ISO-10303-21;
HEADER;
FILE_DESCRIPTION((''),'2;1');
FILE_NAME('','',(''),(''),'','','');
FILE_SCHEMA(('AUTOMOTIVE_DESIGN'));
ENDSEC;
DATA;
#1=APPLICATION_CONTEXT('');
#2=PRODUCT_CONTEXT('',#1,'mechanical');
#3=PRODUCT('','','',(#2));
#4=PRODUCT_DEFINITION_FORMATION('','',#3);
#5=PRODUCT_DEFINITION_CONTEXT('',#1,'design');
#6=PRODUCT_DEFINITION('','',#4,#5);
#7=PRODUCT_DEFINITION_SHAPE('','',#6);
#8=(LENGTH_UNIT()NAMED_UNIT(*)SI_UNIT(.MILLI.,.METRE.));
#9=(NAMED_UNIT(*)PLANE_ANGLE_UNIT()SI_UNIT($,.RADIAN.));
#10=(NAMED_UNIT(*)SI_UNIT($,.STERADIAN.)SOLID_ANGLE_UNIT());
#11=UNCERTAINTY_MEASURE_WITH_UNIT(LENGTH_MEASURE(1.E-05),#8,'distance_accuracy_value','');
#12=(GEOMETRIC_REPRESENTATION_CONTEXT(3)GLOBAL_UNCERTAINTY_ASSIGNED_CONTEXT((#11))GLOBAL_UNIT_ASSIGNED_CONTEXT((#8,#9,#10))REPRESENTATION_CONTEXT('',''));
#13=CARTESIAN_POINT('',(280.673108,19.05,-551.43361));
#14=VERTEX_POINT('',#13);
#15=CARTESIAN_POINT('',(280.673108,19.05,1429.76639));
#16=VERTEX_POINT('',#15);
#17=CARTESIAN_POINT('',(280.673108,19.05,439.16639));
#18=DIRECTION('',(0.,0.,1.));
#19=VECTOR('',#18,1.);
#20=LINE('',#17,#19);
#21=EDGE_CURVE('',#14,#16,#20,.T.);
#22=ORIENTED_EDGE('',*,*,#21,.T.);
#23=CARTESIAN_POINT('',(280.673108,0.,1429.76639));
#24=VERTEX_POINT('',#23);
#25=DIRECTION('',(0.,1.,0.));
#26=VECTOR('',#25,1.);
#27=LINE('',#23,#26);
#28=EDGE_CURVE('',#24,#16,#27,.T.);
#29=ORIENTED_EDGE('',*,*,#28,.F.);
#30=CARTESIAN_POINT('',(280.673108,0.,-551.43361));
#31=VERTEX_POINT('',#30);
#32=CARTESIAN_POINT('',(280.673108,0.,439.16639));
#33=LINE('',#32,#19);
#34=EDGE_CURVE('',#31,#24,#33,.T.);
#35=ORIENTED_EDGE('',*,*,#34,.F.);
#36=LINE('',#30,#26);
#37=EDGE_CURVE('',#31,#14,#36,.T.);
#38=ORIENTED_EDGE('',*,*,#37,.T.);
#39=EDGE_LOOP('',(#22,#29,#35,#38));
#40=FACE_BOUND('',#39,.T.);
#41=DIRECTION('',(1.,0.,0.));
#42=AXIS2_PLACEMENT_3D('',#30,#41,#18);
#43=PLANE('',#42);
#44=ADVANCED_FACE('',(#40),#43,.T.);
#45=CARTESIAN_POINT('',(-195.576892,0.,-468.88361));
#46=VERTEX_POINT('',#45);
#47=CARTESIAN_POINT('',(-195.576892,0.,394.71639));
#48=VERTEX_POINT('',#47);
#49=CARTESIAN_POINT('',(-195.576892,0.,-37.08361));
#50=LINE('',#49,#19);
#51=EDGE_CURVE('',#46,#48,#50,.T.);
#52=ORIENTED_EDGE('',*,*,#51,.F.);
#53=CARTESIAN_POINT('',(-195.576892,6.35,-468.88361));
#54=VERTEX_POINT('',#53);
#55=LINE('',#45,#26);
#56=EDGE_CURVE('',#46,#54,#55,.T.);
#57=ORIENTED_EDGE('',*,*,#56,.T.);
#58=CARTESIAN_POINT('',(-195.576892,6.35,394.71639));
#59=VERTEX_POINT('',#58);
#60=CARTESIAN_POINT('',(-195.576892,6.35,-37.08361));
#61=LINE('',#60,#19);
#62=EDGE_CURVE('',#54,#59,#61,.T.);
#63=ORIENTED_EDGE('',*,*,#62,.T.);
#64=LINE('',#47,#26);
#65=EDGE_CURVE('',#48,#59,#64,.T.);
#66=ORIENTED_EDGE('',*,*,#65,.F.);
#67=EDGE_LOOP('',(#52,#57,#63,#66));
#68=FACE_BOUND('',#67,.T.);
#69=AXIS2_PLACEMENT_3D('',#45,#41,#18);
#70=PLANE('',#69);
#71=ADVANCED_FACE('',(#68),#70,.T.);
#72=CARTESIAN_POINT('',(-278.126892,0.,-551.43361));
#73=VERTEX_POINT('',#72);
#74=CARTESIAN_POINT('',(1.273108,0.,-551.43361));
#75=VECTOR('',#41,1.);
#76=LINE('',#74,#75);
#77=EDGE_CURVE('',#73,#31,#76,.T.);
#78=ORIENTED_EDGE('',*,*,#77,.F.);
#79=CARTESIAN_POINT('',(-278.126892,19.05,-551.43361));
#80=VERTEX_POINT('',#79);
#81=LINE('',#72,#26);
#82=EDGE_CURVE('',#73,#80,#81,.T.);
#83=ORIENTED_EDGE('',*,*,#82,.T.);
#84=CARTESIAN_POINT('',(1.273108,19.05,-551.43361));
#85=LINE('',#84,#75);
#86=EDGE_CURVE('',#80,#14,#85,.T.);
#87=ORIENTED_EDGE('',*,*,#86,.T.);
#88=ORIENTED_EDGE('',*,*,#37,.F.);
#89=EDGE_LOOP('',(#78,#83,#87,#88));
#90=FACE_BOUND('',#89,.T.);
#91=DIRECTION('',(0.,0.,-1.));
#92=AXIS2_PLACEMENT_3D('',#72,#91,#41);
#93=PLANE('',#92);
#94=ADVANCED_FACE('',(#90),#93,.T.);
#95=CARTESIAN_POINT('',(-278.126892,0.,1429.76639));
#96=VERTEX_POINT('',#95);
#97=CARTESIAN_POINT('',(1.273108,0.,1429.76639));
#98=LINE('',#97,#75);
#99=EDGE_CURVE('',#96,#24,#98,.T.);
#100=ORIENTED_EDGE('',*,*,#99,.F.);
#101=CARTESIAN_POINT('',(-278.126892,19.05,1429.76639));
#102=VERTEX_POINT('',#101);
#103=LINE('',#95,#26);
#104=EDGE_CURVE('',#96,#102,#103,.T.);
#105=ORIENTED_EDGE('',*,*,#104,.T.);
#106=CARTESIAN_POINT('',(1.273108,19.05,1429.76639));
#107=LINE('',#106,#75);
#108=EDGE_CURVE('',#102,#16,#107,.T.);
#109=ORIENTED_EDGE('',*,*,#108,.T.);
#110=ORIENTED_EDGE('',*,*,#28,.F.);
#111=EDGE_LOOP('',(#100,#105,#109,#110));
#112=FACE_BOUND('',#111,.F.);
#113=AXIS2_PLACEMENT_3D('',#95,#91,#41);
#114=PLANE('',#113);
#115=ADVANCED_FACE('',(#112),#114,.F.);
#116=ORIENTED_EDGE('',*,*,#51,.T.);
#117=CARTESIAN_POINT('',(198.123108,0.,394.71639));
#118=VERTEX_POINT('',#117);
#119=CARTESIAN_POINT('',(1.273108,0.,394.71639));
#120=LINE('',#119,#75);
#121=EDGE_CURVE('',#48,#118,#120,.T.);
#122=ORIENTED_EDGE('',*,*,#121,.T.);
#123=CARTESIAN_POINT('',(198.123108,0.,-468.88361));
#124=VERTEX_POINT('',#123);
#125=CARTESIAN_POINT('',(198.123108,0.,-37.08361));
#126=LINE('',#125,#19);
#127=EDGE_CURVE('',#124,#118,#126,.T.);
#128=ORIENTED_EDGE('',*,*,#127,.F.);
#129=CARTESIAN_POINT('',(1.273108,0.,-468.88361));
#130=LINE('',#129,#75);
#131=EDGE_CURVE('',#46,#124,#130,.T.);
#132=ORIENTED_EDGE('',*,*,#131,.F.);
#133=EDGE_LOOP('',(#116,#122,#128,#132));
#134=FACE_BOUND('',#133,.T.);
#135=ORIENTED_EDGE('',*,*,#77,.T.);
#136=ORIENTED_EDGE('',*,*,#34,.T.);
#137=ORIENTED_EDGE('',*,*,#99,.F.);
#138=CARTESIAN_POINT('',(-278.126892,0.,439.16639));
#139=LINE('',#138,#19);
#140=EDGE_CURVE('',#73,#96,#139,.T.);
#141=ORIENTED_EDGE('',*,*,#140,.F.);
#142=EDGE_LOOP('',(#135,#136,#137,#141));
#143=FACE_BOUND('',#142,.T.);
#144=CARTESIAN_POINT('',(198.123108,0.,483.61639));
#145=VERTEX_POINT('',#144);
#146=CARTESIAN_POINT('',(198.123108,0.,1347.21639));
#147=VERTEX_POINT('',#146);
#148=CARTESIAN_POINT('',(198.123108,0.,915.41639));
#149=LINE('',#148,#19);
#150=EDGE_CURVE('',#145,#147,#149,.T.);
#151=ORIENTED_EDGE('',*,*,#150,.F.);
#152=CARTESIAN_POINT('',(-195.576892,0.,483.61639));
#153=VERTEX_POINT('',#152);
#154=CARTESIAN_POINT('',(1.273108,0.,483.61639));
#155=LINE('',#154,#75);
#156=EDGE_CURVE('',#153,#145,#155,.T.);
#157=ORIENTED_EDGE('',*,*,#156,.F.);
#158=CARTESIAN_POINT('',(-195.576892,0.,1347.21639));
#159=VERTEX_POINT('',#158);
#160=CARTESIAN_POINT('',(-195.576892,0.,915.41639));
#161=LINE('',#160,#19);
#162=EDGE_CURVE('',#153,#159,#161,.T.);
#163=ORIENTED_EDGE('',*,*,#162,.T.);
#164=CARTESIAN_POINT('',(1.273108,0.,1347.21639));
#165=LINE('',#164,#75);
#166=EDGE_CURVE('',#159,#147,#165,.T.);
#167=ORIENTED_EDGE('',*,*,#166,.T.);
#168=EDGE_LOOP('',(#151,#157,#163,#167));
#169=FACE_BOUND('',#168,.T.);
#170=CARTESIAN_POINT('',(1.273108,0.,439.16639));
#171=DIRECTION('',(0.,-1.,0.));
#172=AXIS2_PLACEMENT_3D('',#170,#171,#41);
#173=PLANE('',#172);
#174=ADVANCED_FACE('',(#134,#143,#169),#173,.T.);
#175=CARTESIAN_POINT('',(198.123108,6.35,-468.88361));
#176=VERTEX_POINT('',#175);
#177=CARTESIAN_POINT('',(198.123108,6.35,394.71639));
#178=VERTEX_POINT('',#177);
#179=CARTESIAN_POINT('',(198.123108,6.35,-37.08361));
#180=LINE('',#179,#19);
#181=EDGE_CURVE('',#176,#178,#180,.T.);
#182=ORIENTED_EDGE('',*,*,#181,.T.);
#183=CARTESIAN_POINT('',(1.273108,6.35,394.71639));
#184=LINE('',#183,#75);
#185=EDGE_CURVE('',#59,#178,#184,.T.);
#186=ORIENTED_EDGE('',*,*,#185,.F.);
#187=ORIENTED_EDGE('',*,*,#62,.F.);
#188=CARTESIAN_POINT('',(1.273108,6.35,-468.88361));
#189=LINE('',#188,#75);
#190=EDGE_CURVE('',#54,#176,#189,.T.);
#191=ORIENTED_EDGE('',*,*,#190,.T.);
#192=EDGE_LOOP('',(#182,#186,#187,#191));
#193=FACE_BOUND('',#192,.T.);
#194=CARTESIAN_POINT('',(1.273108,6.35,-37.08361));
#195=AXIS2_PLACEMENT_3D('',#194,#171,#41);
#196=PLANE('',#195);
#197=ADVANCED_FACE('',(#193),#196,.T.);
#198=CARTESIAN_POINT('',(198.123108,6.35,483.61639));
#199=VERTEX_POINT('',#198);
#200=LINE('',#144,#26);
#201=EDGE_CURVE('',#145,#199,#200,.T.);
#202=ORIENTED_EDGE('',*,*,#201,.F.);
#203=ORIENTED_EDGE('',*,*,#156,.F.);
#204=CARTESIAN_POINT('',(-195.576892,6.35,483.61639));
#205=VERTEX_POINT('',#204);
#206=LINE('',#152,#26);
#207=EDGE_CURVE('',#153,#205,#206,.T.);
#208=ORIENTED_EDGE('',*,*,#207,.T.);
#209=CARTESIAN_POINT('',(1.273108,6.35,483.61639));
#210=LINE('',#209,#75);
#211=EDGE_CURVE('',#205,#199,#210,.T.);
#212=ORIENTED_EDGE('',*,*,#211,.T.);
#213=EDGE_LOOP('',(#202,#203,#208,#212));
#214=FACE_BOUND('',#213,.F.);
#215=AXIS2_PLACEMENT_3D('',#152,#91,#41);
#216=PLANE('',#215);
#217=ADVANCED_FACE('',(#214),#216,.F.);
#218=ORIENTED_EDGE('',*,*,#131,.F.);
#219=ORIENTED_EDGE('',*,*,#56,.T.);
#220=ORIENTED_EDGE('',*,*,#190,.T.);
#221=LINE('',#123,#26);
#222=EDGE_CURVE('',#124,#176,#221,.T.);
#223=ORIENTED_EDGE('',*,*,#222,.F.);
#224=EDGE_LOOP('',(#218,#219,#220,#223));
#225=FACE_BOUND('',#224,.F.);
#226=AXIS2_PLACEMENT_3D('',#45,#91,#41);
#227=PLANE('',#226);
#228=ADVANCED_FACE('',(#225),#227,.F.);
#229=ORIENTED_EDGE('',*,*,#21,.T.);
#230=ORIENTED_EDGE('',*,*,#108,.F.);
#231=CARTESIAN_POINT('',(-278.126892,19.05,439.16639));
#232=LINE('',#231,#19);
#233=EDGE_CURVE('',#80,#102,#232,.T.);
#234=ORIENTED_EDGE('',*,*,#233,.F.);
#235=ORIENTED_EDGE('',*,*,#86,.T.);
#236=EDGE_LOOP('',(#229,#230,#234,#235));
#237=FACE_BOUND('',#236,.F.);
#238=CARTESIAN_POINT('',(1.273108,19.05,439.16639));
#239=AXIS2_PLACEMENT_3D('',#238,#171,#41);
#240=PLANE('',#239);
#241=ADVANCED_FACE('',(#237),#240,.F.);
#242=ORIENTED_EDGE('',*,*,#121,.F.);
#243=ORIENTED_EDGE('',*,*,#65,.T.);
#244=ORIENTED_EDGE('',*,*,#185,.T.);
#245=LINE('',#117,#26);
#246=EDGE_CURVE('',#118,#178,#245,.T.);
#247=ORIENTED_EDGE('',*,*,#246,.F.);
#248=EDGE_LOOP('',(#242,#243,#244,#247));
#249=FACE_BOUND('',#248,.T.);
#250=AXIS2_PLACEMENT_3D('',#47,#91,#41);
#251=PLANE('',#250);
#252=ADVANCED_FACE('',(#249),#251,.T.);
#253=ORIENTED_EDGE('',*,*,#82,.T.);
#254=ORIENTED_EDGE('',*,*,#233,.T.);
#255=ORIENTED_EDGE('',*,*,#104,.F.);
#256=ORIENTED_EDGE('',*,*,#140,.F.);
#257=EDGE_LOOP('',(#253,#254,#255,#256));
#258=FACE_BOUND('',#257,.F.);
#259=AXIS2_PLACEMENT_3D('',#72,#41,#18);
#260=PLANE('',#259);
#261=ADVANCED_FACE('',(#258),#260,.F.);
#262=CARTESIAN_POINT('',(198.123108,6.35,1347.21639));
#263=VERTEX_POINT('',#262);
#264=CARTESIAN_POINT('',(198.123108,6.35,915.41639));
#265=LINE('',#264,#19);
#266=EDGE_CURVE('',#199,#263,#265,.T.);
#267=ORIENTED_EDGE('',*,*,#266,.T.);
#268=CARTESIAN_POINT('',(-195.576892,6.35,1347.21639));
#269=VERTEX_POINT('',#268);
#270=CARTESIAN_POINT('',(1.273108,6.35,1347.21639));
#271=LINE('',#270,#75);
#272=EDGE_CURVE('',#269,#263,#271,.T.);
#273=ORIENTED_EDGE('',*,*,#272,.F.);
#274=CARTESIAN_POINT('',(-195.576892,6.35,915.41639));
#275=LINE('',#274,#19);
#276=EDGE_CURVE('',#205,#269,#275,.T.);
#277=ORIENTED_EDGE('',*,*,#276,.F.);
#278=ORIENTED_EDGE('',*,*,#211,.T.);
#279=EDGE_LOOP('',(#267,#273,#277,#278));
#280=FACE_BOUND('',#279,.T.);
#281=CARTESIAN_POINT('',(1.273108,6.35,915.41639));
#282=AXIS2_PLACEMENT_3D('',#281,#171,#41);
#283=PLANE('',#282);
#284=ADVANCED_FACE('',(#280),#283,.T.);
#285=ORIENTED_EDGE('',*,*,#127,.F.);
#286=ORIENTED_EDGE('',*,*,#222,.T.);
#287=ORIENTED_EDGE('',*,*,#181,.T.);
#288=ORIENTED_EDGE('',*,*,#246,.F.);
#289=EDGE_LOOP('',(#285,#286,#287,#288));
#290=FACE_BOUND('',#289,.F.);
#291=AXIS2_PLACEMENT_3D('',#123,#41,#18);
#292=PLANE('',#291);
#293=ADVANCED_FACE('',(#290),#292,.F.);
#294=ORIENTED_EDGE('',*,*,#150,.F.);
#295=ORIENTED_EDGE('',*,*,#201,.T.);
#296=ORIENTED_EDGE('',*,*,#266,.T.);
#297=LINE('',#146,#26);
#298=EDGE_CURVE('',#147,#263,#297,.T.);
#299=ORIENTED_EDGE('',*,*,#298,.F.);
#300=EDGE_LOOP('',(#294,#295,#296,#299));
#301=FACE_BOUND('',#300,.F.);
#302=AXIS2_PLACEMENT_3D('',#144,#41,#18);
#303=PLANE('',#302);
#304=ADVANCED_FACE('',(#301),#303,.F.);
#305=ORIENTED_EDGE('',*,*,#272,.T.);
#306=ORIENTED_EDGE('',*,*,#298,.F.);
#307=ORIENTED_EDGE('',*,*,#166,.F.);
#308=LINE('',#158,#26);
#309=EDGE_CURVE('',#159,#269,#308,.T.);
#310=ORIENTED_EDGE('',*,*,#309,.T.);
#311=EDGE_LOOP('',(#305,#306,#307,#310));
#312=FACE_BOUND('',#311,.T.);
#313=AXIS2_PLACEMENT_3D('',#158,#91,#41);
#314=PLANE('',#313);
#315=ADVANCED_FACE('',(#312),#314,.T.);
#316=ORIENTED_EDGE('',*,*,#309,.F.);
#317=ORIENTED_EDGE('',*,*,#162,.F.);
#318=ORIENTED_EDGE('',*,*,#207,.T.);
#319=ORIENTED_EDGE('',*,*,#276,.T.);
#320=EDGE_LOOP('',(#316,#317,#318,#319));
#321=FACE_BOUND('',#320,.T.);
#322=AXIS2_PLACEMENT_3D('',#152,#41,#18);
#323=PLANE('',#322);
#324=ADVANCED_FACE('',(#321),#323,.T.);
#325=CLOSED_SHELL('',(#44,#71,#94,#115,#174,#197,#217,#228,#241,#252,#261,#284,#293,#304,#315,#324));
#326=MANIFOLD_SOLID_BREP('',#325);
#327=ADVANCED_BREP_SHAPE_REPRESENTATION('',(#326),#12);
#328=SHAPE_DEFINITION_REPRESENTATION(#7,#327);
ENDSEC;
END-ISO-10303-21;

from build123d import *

# Parameters (mm, degrees)
F0_W     = 558.8
F0_H     = 1981.2
F1_DEPTH = 19.05
F2_W     = 393.7
F2_H     = 863.6
F3_DEPTH = 6.35


with BuildPart() as f1:
    # F0 (on Front) → F1 (new body)
    with BuildSketch(Plane.XZ):
        with Locations((1.273108, 439.16639)):
            Rectangle(F0_W, F0_H)
    extrude(amount=-F1_DEPTH)

    # F2 (on face) → F3 (cut)
    with BuildSketch(Plane.XZ):
        with Locations((1.273108, 915.41639)):
            Rectangle(F2_W, F2_H)
        with Locations((1.273108, -37.08361)):
            Rectangle(F2_W, F2_H)
    extrude(amount=-F3_DEPTH, mode=Mode.SUBTRACT)


solid = f1.part
